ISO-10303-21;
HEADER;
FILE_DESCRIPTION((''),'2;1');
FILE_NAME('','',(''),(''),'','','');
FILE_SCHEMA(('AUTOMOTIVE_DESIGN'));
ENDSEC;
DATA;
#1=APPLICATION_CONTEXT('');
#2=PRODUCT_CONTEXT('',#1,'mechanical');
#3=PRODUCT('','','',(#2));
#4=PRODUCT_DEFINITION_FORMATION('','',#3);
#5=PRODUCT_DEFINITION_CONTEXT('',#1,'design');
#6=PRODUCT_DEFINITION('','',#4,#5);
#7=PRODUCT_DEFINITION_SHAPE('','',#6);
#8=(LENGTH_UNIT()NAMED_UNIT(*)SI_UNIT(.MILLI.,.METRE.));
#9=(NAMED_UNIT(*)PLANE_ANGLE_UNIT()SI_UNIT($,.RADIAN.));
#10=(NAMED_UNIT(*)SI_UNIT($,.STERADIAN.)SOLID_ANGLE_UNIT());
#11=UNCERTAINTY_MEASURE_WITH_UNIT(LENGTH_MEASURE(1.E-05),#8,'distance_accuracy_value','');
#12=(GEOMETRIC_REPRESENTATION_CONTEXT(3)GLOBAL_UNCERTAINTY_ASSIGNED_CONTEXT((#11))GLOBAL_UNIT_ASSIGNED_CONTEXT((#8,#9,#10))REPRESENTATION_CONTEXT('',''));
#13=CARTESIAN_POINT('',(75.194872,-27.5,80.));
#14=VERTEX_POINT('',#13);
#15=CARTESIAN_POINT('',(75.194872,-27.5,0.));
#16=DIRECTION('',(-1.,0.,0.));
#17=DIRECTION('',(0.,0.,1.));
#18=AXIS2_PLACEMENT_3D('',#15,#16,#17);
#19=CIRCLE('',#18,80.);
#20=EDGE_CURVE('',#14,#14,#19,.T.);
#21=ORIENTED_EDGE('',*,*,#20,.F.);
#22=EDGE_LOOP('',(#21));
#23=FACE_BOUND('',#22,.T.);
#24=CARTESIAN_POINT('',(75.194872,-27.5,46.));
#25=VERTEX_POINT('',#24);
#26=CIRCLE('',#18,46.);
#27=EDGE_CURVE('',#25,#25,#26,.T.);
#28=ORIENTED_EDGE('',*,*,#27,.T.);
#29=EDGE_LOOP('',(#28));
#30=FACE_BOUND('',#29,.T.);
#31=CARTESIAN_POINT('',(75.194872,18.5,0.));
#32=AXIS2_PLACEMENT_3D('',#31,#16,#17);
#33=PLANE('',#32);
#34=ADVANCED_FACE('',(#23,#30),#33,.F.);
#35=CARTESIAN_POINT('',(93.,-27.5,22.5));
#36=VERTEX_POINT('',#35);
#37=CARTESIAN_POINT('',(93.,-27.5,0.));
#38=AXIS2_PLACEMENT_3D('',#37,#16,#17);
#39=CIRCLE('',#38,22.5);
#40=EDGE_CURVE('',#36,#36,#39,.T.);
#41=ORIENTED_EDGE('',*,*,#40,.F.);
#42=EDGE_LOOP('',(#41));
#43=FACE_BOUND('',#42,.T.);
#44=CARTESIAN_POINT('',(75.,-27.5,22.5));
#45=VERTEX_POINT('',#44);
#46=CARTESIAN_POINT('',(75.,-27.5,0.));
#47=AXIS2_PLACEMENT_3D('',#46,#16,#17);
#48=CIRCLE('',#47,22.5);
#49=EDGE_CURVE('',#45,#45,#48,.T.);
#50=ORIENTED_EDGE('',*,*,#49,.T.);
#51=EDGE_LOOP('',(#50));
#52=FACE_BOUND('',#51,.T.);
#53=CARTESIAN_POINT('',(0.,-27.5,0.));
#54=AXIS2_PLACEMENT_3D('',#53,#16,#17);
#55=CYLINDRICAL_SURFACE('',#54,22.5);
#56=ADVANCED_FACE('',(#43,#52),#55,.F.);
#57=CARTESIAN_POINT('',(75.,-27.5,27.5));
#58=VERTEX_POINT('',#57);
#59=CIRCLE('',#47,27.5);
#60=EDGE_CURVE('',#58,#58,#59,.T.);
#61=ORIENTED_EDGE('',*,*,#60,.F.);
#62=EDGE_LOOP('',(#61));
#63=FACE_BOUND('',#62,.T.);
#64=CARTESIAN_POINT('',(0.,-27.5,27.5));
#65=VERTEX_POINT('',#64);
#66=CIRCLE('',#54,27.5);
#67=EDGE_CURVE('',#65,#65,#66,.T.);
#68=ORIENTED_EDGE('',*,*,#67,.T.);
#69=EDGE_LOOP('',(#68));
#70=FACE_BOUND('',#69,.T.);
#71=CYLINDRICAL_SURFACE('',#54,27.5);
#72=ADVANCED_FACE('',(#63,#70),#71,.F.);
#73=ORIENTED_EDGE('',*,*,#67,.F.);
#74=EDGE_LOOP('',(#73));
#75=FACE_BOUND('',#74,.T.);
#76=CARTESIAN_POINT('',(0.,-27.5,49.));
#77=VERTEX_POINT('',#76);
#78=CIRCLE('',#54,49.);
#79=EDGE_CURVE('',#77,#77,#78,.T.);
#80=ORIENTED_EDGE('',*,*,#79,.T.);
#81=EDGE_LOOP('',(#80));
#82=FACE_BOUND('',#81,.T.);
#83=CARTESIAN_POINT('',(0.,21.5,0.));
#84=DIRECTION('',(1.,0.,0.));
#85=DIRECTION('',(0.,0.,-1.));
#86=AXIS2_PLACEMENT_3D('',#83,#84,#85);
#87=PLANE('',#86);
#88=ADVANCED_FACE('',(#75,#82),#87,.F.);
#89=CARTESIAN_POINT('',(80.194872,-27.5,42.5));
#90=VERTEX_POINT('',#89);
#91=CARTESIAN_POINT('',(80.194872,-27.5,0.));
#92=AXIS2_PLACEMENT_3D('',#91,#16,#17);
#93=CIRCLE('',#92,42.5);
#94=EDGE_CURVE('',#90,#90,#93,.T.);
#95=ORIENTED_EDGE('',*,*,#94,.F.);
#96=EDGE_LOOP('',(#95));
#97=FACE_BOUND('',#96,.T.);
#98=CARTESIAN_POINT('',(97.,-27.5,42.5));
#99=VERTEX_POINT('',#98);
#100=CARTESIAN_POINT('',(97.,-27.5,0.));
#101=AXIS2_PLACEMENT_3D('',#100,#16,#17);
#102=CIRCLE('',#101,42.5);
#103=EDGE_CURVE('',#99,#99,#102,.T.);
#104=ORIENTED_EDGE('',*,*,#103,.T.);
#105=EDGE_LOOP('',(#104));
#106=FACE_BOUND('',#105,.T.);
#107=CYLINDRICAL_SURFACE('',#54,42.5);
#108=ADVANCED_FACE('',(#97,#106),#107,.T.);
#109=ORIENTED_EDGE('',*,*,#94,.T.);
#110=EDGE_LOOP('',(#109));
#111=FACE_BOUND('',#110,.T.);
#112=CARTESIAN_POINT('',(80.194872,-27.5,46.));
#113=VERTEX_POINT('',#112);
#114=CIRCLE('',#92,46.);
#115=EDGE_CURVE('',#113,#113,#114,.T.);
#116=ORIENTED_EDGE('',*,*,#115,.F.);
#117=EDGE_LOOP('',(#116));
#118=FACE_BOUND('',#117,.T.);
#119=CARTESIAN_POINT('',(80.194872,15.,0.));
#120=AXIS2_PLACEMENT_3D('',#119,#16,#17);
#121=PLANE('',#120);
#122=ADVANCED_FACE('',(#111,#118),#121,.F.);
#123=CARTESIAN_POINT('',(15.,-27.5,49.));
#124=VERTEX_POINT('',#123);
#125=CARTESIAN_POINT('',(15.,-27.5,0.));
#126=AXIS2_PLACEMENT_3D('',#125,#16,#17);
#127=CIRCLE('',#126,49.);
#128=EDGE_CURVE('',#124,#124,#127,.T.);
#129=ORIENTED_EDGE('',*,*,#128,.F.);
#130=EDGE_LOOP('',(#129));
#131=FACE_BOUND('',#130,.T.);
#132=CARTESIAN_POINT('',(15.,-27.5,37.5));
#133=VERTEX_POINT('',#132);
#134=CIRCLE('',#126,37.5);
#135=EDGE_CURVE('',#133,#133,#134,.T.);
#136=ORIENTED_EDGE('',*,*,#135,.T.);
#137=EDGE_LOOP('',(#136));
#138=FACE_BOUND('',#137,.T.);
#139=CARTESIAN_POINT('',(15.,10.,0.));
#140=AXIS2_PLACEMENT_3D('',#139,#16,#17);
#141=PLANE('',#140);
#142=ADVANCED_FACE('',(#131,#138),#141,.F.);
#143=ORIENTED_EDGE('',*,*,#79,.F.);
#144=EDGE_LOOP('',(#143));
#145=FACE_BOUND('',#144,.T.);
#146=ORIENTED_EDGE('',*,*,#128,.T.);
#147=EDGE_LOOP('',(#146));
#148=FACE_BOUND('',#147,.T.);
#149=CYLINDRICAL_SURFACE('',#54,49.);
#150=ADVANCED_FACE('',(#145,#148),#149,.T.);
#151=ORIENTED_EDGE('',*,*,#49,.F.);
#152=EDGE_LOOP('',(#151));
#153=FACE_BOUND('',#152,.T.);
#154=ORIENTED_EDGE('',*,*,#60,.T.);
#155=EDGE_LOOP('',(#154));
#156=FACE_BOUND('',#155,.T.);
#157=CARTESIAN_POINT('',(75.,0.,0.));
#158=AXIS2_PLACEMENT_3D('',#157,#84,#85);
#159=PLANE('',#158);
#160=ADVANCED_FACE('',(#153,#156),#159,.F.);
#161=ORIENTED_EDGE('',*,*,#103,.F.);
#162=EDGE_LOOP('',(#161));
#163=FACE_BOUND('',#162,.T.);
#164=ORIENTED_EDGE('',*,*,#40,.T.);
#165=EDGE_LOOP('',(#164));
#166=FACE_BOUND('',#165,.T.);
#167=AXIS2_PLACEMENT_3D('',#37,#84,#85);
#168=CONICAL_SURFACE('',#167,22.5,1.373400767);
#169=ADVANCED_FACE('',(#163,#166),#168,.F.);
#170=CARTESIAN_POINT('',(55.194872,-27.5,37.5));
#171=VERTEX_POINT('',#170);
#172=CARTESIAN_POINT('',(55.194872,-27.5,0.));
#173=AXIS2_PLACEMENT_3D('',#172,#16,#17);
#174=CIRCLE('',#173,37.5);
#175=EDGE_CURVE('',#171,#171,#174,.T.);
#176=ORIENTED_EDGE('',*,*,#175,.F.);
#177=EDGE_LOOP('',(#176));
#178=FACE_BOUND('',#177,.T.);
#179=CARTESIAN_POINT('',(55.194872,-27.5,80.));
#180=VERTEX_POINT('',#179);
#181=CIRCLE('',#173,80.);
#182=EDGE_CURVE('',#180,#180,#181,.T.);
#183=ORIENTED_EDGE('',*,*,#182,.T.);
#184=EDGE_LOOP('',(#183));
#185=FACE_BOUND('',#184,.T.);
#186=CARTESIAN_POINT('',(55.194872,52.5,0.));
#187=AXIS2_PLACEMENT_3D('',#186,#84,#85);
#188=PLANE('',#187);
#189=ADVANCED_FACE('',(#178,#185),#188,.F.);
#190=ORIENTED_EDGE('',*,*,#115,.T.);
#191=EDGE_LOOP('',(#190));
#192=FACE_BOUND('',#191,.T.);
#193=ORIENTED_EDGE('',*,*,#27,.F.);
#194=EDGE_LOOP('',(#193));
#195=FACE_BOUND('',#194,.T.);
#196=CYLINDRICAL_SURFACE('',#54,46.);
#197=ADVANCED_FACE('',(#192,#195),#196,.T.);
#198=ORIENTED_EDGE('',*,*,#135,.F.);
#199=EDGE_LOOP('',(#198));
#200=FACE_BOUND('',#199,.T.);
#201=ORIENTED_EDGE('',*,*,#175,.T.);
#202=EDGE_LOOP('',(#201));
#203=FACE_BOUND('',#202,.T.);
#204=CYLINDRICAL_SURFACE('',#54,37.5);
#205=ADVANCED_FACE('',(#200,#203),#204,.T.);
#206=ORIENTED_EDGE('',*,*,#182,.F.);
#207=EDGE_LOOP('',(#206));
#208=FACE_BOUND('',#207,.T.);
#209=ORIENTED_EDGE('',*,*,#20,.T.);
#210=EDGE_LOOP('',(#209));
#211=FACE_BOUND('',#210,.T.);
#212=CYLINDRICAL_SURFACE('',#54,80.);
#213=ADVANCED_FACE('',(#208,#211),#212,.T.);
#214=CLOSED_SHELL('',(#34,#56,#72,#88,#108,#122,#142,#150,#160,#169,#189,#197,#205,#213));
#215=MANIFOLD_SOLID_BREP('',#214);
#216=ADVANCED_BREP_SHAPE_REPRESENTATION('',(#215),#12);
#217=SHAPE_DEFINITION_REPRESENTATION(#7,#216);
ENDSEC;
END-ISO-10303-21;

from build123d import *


with BuildPart() as part:
    # Croquis1 → Revolución1 (revolve)
    with BuildSketch(Plane.XY, mode=Mode.PRIVATE) as revoluci_n1_sk:
        Polygon((0, 0), (75, 0), (75, -5), (93, -5), (97, 15), (80.194872218, 15), (80.194872218, 18.5), (75.194872218, 18.5), (75.194872218, 52.5), (55.194872218, 52.5), (55.194872218, 10), (15, 10), (15, 21.5), (0, 21.5), align=None)
    revolve(revoluci_n1_sk.sketch.rotate(Axis((0, -27.5, 0), (1, 0, 0)), 90), axis=Axis((0, -27.5, 0), (1, 0, 0)))


solid = part.part
